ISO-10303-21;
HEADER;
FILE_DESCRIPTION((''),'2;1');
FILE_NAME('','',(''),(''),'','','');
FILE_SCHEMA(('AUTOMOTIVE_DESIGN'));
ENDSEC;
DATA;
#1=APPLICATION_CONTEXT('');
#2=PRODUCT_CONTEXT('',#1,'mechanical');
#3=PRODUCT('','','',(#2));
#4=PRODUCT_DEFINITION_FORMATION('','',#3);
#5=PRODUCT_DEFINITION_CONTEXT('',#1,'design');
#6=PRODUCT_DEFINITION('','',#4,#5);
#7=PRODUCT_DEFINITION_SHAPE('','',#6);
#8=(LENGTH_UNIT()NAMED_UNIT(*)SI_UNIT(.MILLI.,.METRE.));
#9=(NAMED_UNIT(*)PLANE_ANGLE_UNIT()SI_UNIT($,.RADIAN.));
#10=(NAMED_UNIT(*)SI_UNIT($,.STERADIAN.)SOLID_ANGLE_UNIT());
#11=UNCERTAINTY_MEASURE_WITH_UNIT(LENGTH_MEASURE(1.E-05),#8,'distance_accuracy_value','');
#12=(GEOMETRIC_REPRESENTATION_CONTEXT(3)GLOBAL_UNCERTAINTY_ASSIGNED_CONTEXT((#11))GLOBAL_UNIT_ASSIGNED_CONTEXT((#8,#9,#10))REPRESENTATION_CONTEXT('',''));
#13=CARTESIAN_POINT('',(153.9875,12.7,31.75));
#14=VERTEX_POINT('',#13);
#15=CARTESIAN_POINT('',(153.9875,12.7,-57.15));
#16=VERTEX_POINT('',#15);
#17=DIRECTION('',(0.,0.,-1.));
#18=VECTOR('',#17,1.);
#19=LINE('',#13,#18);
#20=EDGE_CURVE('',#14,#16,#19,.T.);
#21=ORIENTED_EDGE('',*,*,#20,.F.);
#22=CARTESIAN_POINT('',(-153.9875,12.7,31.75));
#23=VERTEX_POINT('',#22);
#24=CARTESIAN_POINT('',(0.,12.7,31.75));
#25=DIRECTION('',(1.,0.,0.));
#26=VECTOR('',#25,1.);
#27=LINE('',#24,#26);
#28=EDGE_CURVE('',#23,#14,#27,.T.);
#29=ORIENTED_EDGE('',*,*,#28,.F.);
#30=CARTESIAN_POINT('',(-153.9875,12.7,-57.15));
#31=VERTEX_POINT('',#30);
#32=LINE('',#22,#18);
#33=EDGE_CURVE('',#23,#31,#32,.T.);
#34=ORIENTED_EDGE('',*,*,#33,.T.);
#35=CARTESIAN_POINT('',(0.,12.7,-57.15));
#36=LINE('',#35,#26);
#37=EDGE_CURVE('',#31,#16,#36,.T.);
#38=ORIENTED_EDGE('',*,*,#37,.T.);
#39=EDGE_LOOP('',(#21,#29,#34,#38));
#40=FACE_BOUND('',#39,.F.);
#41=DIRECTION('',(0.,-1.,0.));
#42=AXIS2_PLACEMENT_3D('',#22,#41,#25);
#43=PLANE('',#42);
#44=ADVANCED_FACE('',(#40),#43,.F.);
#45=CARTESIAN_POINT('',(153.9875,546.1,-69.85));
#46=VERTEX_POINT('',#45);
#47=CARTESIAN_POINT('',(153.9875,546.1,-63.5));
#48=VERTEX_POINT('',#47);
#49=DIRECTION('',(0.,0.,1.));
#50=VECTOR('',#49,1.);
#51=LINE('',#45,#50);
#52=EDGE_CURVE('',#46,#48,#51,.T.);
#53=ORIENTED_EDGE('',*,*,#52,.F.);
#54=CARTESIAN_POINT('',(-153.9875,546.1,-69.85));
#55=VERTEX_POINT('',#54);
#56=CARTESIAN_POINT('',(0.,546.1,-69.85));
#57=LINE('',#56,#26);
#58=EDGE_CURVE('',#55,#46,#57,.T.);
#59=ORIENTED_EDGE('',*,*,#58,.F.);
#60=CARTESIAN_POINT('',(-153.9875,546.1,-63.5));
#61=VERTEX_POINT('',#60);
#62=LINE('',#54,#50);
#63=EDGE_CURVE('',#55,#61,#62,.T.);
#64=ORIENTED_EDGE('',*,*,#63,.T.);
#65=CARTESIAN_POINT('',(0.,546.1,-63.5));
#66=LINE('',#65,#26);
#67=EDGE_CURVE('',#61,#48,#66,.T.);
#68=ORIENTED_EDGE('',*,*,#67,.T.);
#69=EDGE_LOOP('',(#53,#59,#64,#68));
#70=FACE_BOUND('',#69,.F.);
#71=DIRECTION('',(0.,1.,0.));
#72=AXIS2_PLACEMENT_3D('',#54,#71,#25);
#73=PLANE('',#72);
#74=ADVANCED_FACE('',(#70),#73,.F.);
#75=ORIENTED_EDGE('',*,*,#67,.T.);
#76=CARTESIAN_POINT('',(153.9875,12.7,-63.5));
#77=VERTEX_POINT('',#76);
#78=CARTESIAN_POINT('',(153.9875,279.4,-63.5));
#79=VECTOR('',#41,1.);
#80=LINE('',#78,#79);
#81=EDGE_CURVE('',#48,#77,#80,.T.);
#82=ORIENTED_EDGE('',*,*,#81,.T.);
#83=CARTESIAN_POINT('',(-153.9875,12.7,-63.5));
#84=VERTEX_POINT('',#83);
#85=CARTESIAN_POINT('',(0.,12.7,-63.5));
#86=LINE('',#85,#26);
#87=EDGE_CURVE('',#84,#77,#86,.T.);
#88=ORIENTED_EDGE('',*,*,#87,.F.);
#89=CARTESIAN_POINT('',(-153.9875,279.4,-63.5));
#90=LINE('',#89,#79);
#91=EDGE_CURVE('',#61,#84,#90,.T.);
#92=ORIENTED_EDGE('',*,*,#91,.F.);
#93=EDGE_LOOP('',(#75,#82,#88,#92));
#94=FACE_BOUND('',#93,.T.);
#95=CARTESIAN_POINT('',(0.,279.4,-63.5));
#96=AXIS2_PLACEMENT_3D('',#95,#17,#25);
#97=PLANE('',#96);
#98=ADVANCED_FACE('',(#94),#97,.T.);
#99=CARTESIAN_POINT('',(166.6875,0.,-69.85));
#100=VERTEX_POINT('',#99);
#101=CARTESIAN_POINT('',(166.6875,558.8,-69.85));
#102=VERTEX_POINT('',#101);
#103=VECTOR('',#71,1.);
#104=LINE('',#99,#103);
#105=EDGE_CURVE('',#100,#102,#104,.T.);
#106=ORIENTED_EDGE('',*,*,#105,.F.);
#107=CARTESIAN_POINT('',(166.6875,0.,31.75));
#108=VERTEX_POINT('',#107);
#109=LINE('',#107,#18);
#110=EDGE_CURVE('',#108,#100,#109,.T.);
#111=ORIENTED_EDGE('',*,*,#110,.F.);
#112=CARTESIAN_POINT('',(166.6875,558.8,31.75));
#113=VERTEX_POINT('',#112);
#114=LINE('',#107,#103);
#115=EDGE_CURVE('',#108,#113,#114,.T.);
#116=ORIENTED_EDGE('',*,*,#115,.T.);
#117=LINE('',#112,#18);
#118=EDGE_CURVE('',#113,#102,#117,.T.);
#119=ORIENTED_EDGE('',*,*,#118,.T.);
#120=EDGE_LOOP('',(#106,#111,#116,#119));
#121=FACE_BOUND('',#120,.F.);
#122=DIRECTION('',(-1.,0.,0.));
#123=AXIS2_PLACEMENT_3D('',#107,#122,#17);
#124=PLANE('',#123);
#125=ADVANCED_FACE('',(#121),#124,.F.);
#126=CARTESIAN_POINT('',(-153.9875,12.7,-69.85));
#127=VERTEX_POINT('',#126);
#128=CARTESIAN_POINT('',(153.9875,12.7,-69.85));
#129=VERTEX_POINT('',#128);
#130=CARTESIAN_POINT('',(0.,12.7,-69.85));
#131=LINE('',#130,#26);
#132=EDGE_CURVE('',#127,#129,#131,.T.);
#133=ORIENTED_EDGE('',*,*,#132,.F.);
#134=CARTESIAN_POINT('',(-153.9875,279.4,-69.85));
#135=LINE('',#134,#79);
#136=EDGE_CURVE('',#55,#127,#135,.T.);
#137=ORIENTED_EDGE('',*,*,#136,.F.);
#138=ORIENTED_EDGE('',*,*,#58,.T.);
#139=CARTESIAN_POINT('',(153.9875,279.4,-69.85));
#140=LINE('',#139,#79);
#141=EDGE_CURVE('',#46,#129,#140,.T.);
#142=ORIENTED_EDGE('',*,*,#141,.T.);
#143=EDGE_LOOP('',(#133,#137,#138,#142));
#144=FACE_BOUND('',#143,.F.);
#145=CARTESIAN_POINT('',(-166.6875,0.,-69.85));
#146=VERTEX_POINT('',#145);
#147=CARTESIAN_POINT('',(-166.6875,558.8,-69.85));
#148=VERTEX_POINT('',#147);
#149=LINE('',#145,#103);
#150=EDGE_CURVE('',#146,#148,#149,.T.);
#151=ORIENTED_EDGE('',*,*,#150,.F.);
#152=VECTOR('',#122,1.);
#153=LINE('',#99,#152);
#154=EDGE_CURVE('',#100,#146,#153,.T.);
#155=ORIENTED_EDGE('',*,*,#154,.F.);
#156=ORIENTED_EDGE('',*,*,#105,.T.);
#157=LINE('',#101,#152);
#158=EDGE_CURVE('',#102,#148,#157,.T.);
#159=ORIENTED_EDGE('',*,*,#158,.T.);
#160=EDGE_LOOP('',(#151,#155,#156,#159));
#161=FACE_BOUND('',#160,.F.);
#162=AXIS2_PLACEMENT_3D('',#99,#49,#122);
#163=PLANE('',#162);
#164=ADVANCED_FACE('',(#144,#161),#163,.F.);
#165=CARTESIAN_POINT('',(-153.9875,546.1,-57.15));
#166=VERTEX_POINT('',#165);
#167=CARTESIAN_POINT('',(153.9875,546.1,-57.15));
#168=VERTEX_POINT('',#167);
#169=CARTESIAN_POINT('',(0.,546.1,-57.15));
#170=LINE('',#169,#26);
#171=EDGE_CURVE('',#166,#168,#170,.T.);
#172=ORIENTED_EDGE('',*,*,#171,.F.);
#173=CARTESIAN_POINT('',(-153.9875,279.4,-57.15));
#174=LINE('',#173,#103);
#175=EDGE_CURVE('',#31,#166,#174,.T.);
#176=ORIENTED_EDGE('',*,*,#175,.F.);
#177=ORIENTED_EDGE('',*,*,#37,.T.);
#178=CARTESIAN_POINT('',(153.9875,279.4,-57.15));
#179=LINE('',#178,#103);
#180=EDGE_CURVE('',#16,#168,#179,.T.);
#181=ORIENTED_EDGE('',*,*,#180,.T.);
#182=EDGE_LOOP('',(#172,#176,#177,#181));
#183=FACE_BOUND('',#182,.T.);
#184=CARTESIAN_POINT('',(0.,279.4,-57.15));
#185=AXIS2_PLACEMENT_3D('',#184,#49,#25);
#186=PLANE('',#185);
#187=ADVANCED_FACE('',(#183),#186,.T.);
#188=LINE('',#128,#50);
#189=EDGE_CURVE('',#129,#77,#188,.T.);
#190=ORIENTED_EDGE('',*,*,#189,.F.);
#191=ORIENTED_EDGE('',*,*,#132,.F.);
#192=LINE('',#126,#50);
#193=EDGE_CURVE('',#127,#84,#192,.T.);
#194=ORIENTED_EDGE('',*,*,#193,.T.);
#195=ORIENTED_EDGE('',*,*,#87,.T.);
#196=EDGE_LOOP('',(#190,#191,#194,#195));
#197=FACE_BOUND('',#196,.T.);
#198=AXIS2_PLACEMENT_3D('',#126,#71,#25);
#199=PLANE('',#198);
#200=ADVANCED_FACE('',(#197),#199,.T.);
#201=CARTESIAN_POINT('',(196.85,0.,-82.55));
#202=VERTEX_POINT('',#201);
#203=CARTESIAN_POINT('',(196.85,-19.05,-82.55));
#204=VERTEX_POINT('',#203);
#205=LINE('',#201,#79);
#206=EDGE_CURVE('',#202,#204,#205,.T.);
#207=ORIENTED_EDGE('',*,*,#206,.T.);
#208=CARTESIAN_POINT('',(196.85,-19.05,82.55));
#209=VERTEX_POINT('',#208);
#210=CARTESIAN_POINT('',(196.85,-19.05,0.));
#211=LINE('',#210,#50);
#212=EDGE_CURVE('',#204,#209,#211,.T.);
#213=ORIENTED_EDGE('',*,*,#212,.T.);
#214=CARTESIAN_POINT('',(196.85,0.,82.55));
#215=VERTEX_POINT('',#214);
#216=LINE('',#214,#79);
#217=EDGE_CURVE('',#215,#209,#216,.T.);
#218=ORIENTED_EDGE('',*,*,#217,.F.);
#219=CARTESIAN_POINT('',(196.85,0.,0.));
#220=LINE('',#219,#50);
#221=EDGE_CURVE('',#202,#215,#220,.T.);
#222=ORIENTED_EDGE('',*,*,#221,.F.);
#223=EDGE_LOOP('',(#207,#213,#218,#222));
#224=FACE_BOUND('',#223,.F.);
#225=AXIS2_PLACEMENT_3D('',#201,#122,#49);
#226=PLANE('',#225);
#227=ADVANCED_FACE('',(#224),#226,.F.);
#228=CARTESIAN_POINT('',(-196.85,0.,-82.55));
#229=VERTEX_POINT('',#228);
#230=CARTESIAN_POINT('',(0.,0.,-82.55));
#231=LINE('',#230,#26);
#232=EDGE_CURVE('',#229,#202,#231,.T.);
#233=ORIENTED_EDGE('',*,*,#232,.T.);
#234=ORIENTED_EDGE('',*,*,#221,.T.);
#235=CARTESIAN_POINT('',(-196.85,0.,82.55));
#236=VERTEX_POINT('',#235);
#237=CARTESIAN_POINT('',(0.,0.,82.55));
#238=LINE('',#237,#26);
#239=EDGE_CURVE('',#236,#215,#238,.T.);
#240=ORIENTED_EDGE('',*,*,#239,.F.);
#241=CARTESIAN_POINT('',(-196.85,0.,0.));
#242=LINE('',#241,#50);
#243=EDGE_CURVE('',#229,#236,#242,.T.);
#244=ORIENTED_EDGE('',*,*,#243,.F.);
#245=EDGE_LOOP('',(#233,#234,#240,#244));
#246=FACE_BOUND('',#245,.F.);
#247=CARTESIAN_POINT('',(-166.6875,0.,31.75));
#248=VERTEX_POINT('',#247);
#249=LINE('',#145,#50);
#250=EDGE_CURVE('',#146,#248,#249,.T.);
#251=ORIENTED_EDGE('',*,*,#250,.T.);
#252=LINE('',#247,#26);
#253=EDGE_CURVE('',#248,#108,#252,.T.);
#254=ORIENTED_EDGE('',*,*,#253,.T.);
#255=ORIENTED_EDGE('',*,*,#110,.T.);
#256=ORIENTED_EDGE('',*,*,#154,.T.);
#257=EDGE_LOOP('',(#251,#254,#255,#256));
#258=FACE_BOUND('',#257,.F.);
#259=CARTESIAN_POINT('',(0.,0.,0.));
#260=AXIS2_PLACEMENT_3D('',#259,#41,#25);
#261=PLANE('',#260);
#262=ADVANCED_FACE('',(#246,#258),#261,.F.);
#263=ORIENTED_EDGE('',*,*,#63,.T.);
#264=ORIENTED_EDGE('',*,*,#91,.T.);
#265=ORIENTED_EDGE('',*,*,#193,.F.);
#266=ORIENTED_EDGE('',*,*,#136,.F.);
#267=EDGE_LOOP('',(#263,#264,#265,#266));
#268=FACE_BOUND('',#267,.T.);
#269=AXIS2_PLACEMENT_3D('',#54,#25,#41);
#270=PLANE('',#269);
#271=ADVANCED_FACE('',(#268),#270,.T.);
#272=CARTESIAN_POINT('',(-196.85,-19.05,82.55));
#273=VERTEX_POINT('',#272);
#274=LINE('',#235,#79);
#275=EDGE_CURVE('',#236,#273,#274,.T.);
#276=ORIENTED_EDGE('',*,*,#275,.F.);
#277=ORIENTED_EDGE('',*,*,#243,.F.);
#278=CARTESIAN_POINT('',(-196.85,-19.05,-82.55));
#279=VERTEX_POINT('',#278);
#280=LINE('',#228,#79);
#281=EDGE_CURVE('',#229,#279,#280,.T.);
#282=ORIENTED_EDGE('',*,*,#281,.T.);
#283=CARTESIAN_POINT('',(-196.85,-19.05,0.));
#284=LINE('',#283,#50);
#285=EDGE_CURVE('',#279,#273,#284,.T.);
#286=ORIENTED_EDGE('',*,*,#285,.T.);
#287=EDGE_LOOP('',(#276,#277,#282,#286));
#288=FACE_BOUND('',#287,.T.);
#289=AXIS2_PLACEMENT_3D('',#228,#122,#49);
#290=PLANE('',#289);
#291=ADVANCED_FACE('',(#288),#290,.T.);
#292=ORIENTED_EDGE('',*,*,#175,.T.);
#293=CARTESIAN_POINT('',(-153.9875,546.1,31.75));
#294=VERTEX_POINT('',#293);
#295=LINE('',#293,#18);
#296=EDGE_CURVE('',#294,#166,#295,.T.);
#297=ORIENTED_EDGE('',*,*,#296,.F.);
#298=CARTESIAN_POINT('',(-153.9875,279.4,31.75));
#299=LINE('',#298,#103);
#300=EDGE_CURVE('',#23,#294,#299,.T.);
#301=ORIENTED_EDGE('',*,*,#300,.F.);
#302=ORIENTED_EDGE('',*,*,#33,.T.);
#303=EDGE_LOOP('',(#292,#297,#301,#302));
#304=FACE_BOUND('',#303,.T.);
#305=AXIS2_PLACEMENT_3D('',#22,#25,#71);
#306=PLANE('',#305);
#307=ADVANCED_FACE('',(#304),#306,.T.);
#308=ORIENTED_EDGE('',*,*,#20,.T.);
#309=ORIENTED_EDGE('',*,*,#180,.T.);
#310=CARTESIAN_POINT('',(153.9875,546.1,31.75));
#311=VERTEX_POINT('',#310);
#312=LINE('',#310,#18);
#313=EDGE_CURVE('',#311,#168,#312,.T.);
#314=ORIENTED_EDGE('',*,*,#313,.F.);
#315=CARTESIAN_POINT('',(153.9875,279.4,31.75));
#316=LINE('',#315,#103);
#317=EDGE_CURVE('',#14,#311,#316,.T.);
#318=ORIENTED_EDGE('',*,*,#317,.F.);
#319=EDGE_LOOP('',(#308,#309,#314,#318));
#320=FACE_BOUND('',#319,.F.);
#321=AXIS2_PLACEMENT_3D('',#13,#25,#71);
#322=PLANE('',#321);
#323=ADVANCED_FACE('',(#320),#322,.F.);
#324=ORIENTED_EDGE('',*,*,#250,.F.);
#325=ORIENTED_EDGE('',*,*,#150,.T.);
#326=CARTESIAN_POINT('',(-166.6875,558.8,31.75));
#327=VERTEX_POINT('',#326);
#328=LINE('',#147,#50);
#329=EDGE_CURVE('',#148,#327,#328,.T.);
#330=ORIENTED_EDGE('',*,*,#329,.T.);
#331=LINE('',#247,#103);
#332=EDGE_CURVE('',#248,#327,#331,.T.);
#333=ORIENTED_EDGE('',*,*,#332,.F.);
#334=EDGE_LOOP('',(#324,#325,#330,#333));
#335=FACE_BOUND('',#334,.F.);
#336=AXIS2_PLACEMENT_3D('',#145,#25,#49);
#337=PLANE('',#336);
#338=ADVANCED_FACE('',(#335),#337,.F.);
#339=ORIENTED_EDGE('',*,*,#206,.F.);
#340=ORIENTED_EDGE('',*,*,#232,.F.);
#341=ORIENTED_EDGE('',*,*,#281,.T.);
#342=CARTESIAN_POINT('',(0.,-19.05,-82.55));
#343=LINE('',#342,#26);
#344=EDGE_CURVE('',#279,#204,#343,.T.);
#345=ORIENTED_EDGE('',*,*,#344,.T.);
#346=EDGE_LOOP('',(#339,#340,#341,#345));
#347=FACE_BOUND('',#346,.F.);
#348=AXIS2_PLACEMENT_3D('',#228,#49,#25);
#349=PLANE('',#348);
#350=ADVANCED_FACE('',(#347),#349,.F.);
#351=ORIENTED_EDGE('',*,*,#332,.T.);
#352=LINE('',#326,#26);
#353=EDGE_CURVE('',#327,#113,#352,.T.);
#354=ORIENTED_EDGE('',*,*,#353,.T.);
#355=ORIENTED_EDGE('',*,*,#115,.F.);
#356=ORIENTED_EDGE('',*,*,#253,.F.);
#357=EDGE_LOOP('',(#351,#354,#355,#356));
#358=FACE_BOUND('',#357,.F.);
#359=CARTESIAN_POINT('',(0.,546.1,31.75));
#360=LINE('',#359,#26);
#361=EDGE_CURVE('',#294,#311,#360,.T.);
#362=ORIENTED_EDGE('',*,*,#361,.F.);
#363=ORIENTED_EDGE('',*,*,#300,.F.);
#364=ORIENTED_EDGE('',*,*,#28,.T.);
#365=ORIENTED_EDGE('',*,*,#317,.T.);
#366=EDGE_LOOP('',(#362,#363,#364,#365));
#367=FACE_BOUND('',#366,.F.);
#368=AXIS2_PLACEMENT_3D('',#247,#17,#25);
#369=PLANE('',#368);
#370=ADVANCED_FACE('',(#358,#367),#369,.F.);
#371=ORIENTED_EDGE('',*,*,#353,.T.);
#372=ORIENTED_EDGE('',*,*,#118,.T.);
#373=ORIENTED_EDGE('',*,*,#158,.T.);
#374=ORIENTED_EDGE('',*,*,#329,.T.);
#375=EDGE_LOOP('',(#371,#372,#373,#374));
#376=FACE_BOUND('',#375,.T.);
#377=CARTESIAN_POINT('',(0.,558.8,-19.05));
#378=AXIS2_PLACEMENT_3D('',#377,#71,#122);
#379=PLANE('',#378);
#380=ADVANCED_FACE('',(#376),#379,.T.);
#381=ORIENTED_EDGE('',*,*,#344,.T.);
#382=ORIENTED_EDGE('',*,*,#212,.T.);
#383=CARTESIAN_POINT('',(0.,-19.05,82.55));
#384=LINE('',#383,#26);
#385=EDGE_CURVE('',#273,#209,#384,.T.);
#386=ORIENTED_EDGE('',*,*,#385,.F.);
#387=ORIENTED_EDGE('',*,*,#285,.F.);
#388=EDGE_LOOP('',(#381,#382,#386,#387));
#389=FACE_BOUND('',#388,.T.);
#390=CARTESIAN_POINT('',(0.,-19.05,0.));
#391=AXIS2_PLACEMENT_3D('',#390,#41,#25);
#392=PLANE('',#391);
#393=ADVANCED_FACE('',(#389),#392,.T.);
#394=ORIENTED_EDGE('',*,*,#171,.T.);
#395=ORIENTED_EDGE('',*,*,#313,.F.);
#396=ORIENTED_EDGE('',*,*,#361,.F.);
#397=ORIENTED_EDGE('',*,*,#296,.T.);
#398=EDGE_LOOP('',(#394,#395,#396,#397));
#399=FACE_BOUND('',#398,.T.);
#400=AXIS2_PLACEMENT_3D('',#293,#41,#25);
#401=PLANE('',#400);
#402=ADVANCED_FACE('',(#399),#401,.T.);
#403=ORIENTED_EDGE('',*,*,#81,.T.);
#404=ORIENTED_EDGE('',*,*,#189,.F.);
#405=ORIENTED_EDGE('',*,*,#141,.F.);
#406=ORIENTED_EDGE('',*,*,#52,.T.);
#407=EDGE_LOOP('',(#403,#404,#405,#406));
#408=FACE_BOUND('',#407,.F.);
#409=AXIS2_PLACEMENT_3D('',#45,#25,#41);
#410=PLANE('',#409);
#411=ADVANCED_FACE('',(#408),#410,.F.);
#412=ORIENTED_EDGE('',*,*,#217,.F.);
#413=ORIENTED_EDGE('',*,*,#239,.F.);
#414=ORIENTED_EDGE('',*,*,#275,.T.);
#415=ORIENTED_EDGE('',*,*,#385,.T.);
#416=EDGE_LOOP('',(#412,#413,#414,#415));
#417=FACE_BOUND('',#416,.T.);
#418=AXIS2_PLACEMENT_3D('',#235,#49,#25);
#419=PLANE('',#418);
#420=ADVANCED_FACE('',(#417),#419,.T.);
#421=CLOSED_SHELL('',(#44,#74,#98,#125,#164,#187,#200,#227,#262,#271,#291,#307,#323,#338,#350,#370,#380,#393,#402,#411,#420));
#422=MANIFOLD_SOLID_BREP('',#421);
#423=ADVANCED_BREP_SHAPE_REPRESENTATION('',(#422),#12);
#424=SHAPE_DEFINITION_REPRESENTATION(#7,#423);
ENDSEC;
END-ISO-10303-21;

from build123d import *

# Parameters (mm, degrees)
F0_W     = 393.7
F0_H     = 165.1
F1_DEPTH = 19.05
F3_DEPTH = 558.8
F4_W     = 307.975
F4_H     = 533.4
F5_DEPTH = 88.9
F6_W     = 307.975
F6_H     = 533.4
F7_DEPTH = 6.35


with BuildPart() as f1:
    # F0 (on Front) → F1 (new body)
    with BuildSketch(Plane.XZ):
        Rectangle(F0_W, F0_H)
    extrude(amount=F1_DEPTH)

    # F2 (on face) → F3 (join)
    with BuildSketch(Plane(origin=(0, 0, 0), x_dir=(-1, 0, 0), z_dir=(0, 1, 0))):
        Polygon((-166.6875, -69.85), (0, -69.85), (166.6875, -69.85), (166.6875, 31.75), (-166.6875, 31.75), align=None)
    extrude(amount=F3_DEPTH)

    # F4 (on face) → F5 (cut)
    with BuildSketch(Plane.XY.offset(31.75)):
        with Locations((0, 279.4)):
            Rectangle(F4_W, F4_H)
    extrude(amount=-F5_DEPTH, mode=Mode.SUBTRACT)

    # F6 (on face) → F7 (cut)
    with BuildSketch(Plane(origin=(0, 0, -69.85), x_dir=(1, 0, 0), z_dir=(0, 0, -1))):
        with Locations((0, -279.4)):
            Rectangle(F6_W, F6_H)
    extrude(amount=-F7_DEPTH, mode=Mode.SUBTRACT)


solid = f1.part
